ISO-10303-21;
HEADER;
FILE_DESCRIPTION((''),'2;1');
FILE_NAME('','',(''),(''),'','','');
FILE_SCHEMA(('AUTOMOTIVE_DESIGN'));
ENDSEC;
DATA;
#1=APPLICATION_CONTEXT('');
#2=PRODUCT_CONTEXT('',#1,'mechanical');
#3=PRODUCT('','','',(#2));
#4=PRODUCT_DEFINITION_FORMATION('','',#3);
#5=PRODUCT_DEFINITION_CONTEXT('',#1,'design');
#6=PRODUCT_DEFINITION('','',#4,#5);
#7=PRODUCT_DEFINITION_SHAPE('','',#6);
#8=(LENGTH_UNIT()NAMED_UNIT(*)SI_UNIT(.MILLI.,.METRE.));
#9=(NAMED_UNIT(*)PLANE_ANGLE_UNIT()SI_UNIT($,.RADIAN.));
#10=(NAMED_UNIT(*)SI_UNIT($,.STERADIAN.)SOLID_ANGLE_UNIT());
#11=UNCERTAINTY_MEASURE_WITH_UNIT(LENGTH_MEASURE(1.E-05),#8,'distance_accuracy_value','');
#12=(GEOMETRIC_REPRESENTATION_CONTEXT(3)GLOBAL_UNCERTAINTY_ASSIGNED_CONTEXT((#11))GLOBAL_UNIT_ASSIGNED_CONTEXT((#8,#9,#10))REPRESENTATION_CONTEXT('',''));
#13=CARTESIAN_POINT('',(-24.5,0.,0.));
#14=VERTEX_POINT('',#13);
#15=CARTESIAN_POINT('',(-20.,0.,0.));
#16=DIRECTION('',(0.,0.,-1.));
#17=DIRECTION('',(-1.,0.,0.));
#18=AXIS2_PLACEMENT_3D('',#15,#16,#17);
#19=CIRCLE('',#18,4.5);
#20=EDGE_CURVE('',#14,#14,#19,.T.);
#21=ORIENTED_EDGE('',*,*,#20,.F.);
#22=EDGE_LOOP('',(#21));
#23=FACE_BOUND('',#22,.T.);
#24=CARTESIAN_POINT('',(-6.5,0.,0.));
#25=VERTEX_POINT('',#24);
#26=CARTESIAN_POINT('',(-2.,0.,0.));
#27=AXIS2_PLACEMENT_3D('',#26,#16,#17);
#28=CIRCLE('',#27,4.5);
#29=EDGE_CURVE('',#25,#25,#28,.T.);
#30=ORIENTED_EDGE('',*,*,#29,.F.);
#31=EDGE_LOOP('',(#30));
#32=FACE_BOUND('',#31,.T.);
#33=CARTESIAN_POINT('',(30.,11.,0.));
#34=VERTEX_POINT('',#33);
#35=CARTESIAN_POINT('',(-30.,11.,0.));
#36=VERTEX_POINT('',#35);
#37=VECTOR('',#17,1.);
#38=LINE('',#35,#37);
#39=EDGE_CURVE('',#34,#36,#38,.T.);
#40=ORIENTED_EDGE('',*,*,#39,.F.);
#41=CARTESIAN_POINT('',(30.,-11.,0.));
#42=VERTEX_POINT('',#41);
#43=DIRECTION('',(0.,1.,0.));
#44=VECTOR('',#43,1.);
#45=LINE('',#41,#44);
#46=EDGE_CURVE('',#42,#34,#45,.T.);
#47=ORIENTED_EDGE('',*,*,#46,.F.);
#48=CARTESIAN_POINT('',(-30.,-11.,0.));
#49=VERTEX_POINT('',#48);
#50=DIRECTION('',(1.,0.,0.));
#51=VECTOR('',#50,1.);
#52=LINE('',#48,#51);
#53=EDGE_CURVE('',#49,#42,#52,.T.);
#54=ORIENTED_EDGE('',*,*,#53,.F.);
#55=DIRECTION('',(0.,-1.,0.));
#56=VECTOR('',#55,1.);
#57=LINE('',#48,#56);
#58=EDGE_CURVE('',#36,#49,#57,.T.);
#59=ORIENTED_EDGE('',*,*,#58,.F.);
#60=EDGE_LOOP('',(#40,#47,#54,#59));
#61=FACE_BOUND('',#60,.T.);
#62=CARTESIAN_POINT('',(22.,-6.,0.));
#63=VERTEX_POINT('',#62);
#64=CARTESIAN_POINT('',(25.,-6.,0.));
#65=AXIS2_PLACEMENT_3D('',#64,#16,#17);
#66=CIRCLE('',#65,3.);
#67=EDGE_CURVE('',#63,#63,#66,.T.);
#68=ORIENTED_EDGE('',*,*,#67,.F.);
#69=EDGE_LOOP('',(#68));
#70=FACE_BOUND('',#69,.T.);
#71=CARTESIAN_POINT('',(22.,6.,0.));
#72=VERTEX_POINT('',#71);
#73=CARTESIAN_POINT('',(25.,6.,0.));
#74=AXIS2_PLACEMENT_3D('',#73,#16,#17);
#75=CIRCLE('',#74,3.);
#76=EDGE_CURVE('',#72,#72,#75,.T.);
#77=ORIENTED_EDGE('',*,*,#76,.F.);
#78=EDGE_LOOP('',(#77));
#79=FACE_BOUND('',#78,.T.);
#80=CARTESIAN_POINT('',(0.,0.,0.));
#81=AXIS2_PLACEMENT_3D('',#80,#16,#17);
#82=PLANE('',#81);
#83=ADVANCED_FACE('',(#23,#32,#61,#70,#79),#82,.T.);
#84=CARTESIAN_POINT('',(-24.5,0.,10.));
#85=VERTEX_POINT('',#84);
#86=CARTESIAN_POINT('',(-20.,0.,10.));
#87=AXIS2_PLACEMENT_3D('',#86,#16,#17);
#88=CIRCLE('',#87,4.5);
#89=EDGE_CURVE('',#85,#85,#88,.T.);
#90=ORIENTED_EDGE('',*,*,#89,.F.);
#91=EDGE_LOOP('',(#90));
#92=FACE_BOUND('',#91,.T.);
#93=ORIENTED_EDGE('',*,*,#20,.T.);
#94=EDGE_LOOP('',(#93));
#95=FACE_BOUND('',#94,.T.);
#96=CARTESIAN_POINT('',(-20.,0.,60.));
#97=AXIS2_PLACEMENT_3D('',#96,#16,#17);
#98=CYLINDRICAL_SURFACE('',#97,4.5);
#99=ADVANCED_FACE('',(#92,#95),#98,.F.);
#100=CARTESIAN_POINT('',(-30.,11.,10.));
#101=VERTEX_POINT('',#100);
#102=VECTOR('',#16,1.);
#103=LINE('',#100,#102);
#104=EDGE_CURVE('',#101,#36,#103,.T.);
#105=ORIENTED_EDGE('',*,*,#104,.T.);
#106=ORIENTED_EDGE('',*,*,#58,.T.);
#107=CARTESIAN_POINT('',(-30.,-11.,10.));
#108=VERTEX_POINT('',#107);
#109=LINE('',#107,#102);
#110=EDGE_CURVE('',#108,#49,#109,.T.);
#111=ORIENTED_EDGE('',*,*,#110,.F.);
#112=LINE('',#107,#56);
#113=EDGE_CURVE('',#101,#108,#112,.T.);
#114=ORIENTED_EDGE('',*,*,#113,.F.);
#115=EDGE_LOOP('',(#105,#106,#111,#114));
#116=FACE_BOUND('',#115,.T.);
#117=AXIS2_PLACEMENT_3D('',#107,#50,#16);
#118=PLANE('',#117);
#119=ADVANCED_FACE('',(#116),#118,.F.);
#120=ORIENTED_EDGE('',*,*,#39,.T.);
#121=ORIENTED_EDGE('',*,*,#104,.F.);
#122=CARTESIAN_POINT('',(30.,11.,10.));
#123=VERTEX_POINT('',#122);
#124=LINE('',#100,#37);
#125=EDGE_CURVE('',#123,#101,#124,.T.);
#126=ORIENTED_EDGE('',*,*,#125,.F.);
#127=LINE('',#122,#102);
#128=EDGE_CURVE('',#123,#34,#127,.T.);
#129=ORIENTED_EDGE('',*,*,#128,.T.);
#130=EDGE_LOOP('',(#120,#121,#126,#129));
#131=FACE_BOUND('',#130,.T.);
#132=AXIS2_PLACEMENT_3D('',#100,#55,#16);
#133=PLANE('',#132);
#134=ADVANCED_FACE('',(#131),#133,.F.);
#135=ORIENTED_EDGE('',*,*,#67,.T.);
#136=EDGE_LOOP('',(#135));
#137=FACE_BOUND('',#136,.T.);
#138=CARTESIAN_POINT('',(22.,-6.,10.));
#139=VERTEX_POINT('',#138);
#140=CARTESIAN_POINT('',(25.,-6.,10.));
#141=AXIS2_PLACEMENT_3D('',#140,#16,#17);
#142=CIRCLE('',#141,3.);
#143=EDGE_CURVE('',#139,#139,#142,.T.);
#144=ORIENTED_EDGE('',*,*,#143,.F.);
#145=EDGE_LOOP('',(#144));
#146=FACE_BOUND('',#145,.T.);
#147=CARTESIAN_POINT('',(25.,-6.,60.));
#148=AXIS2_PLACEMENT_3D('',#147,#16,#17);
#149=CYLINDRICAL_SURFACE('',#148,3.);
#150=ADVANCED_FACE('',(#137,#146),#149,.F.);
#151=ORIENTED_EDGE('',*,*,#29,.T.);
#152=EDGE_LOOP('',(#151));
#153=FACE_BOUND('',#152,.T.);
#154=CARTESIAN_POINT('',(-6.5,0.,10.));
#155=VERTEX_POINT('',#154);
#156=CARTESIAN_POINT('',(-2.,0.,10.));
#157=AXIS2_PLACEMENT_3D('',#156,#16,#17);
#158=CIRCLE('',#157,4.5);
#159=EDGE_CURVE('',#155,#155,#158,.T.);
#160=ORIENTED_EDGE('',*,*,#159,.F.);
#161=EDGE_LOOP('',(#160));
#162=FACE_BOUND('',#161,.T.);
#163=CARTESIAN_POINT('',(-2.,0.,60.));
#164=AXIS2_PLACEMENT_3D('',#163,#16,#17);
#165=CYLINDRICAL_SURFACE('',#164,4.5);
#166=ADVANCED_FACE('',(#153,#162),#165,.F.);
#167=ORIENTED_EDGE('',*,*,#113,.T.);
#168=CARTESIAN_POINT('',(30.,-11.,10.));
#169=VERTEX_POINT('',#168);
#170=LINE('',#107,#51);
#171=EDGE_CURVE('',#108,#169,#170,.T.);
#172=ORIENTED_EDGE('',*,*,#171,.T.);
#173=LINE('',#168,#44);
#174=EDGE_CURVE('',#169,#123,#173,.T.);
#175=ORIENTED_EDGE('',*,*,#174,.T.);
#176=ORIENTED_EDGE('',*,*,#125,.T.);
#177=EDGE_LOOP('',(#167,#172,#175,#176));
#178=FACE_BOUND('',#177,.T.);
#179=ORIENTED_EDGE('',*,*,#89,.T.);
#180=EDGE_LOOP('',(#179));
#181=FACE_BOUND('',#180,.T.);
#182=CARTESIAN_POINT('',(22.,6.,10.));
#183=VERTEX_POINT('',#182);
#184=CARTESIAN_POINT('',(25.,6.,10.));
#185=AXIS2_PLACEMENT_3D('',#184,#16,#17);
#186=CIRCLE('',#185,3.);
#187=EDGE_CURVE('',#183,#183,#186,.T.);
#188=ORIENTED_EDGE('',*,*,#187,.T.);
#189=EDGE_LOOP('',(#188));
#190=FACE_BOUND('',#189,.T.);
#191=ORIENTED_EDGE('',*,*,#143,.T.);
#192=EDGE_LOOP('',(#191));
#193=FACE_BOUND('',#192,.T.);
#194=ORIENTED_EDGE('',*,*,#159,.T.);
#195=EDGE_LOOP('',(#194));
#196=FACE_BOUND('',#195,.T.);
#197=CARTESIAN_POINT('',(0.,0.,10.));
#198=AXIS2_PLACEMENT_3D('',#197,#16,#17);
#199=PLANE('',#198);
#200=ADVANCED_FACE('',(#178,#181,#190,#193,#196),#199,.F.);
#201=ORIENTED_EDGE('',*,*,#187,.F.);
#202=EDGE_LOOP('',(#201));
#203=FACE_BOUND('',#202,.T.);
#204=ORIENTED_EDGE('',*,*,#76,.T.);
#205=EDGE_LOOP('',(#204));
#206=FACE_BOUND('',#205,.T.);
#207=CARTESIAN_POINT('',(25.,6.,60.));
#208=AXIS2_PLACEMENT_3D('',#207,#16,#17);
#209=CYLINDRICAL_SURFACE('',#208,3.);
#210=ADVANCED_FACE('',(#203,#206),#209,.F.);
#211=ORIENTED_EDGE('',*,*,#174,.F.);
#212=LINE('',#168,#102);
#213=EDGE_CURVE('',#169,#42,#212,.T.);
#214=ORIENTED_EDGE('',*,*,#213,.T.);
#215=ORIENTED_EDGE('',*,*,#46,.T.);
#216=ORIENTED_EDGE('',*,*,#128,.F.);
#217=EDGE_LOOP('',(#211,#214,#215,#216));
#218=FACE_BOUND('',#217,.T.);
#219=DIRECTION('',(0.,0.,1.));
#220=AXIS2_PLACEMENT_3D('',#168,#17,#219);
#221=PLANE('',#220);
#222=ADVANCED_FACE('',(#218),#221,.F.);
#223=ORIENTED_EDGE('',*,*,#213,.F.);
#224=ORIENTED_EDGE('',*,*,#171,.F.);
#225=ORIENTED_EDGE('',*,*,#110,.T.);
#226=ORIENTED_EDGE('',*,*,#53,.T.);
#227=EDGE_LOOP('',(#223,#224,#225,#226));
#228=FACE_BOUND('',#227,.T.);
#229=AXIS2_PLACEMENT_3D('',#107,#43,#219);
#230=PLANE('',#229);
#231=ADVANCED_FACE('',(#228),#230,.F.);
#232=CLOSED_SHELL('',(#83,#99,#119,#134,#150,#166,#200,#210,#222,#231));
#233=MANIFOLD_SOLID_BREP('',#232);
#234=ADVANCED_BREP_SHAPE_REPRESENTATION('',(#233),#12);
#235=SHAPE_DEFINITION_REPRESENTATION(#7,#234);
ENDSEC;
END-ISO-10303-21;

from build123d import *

# Parameters (mm, degrees)
SKETCH1_W           = 60
SKETCH1_H           = 22
BOSS_EXTRUDE1_DEPTH = 10
SKETCH3_R           = 4.5
CUT_EXTRUDE1_DEPTH  = 60
SKETCH4_R           = 3
CUT_EXTRUDE2_DEPTH  = 60


with BuildPart() as part:
    # Sketch1 → Boss-Extrude1 (new body)
    with BuildSketch(Plane.XY):
        Rectangle(SKETCH1_W, SKETCH1_H)
    extrude(amount=BOSS_EXTRUDE1_DEPTH)

    # Sketch3 → Cut-Extrude1 (cut)
    with BuildSketch(Plane(origin=(0, 0, 0), x_dir=(-1, 0, 0), z_dir=(0, 0, -1))):
        with Locations((20, 0)):
            Circle(SKETCH3_R)
        with Locations((2, 0)):
            Circle(SKETCH3_R)
    extrude(amount=-CUT_EXTRUDE1_DEPTH, mode=Mode.SUBTRACT)

    # Sketch4 → Cut-Extrude2 (cut)
    with BuildSketch(Plane(origin=(0, 0, 0), x_dir=(-1, 0, 0), z_dir=(0, 0, -1))):
        with Locations((-25, 6)):
            Circle(SKETCH4_R)
        with Locations((-25, -6)):
            Circle(SKETCH4_R)
    extrude(amount=-CUT_EXTRUDE2_DEPTH, mode=Mode.SUBTRACT)


solid = part.part
